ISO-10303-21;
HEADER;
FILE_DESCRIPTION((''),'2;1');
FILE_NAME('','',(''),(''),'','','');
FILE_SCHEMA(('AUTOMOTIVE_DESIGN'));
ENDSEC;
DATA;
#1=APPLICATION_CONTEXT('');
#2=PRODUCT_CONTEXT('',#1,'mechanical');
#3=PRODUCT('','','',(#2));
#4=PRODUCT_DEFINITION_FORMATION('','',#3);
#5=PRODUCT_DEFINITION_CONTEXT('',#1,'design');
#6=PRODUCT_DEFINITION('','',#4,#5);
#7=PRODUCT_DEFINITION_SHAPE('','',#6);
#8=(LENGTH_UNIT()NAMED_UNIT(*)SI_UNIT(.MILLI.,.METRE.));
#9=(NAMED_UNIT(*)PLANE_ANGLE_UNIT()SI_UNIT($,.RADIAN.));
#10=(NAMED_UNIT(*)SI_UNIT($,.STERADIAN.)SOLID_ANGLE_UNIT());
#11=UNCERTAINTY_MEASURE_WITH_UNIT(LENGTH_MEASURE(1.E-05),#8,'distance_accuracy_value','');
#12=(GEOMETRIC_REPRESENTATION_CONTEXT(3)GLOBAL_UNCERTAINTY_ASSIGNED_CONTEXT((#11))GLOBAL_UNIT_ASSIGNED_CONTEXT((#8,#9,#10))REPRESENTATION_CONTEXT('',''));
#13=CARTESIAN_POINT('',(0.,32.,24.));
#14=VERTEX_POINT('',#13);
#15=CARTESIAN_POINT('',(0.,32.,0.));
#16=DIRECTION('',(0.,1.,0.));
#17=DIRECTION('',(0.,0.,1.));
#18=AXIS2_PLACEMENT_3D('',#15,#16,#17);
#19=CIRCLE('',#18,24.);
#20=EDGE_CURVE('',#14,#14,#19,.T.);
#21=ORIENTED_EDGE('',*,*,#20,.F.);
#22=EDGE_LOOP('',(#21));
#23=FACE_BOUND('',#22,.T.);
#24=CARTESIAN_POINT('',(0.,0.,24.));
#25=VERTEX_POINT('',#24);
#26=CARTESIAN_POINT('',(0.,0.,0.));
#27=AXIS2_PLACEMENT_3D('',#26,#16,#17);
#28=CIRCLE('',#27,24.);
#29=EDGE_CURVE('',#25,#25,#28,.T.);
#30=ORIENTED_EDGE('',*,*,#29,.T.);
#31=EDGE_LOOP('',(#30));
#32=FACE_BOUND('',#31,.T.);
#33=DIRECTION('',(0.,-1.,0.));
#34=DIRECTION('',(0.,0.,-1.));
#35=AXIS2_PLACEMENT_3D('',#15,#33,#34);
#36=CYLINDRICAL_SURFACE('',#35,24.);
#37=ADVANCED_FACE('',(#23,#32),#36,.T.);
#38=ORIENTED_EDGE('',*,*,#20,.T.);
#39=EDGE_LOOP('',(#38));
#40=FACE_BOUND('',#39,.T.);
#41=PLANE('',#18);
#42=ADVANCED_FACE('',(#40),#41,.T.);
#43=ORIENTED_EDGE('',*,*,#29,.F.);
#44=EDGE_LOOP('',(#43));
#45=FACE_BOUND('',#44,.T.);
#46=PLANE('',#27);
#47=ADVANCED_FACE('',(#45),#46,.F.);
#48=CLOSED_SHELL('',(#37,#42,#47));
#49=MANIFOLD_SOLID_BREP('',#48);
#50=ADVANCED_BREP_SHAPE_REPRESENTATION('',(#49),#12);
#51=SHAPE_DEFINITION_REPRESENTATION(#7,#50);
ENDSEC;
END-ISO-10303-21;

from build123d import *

# Parameters (mm, degrees)
SKETCH1_R   = 24
MOTOR_DEPTH = 32


with BuildPart() as part:
    # Sketch1 → Motor (new body)
    with BuildSketch(Plane(origin=(0, 0, 0), x_dir=(1, 0, 0), z_dir=(0, 1, 0))):
        with Locations(Location((0, 0, 0), (0, 0, 270))):
            Circle(SKETCH1_R)
    extrude(amount=MOTOR_DEPTH)


solid = part.part
